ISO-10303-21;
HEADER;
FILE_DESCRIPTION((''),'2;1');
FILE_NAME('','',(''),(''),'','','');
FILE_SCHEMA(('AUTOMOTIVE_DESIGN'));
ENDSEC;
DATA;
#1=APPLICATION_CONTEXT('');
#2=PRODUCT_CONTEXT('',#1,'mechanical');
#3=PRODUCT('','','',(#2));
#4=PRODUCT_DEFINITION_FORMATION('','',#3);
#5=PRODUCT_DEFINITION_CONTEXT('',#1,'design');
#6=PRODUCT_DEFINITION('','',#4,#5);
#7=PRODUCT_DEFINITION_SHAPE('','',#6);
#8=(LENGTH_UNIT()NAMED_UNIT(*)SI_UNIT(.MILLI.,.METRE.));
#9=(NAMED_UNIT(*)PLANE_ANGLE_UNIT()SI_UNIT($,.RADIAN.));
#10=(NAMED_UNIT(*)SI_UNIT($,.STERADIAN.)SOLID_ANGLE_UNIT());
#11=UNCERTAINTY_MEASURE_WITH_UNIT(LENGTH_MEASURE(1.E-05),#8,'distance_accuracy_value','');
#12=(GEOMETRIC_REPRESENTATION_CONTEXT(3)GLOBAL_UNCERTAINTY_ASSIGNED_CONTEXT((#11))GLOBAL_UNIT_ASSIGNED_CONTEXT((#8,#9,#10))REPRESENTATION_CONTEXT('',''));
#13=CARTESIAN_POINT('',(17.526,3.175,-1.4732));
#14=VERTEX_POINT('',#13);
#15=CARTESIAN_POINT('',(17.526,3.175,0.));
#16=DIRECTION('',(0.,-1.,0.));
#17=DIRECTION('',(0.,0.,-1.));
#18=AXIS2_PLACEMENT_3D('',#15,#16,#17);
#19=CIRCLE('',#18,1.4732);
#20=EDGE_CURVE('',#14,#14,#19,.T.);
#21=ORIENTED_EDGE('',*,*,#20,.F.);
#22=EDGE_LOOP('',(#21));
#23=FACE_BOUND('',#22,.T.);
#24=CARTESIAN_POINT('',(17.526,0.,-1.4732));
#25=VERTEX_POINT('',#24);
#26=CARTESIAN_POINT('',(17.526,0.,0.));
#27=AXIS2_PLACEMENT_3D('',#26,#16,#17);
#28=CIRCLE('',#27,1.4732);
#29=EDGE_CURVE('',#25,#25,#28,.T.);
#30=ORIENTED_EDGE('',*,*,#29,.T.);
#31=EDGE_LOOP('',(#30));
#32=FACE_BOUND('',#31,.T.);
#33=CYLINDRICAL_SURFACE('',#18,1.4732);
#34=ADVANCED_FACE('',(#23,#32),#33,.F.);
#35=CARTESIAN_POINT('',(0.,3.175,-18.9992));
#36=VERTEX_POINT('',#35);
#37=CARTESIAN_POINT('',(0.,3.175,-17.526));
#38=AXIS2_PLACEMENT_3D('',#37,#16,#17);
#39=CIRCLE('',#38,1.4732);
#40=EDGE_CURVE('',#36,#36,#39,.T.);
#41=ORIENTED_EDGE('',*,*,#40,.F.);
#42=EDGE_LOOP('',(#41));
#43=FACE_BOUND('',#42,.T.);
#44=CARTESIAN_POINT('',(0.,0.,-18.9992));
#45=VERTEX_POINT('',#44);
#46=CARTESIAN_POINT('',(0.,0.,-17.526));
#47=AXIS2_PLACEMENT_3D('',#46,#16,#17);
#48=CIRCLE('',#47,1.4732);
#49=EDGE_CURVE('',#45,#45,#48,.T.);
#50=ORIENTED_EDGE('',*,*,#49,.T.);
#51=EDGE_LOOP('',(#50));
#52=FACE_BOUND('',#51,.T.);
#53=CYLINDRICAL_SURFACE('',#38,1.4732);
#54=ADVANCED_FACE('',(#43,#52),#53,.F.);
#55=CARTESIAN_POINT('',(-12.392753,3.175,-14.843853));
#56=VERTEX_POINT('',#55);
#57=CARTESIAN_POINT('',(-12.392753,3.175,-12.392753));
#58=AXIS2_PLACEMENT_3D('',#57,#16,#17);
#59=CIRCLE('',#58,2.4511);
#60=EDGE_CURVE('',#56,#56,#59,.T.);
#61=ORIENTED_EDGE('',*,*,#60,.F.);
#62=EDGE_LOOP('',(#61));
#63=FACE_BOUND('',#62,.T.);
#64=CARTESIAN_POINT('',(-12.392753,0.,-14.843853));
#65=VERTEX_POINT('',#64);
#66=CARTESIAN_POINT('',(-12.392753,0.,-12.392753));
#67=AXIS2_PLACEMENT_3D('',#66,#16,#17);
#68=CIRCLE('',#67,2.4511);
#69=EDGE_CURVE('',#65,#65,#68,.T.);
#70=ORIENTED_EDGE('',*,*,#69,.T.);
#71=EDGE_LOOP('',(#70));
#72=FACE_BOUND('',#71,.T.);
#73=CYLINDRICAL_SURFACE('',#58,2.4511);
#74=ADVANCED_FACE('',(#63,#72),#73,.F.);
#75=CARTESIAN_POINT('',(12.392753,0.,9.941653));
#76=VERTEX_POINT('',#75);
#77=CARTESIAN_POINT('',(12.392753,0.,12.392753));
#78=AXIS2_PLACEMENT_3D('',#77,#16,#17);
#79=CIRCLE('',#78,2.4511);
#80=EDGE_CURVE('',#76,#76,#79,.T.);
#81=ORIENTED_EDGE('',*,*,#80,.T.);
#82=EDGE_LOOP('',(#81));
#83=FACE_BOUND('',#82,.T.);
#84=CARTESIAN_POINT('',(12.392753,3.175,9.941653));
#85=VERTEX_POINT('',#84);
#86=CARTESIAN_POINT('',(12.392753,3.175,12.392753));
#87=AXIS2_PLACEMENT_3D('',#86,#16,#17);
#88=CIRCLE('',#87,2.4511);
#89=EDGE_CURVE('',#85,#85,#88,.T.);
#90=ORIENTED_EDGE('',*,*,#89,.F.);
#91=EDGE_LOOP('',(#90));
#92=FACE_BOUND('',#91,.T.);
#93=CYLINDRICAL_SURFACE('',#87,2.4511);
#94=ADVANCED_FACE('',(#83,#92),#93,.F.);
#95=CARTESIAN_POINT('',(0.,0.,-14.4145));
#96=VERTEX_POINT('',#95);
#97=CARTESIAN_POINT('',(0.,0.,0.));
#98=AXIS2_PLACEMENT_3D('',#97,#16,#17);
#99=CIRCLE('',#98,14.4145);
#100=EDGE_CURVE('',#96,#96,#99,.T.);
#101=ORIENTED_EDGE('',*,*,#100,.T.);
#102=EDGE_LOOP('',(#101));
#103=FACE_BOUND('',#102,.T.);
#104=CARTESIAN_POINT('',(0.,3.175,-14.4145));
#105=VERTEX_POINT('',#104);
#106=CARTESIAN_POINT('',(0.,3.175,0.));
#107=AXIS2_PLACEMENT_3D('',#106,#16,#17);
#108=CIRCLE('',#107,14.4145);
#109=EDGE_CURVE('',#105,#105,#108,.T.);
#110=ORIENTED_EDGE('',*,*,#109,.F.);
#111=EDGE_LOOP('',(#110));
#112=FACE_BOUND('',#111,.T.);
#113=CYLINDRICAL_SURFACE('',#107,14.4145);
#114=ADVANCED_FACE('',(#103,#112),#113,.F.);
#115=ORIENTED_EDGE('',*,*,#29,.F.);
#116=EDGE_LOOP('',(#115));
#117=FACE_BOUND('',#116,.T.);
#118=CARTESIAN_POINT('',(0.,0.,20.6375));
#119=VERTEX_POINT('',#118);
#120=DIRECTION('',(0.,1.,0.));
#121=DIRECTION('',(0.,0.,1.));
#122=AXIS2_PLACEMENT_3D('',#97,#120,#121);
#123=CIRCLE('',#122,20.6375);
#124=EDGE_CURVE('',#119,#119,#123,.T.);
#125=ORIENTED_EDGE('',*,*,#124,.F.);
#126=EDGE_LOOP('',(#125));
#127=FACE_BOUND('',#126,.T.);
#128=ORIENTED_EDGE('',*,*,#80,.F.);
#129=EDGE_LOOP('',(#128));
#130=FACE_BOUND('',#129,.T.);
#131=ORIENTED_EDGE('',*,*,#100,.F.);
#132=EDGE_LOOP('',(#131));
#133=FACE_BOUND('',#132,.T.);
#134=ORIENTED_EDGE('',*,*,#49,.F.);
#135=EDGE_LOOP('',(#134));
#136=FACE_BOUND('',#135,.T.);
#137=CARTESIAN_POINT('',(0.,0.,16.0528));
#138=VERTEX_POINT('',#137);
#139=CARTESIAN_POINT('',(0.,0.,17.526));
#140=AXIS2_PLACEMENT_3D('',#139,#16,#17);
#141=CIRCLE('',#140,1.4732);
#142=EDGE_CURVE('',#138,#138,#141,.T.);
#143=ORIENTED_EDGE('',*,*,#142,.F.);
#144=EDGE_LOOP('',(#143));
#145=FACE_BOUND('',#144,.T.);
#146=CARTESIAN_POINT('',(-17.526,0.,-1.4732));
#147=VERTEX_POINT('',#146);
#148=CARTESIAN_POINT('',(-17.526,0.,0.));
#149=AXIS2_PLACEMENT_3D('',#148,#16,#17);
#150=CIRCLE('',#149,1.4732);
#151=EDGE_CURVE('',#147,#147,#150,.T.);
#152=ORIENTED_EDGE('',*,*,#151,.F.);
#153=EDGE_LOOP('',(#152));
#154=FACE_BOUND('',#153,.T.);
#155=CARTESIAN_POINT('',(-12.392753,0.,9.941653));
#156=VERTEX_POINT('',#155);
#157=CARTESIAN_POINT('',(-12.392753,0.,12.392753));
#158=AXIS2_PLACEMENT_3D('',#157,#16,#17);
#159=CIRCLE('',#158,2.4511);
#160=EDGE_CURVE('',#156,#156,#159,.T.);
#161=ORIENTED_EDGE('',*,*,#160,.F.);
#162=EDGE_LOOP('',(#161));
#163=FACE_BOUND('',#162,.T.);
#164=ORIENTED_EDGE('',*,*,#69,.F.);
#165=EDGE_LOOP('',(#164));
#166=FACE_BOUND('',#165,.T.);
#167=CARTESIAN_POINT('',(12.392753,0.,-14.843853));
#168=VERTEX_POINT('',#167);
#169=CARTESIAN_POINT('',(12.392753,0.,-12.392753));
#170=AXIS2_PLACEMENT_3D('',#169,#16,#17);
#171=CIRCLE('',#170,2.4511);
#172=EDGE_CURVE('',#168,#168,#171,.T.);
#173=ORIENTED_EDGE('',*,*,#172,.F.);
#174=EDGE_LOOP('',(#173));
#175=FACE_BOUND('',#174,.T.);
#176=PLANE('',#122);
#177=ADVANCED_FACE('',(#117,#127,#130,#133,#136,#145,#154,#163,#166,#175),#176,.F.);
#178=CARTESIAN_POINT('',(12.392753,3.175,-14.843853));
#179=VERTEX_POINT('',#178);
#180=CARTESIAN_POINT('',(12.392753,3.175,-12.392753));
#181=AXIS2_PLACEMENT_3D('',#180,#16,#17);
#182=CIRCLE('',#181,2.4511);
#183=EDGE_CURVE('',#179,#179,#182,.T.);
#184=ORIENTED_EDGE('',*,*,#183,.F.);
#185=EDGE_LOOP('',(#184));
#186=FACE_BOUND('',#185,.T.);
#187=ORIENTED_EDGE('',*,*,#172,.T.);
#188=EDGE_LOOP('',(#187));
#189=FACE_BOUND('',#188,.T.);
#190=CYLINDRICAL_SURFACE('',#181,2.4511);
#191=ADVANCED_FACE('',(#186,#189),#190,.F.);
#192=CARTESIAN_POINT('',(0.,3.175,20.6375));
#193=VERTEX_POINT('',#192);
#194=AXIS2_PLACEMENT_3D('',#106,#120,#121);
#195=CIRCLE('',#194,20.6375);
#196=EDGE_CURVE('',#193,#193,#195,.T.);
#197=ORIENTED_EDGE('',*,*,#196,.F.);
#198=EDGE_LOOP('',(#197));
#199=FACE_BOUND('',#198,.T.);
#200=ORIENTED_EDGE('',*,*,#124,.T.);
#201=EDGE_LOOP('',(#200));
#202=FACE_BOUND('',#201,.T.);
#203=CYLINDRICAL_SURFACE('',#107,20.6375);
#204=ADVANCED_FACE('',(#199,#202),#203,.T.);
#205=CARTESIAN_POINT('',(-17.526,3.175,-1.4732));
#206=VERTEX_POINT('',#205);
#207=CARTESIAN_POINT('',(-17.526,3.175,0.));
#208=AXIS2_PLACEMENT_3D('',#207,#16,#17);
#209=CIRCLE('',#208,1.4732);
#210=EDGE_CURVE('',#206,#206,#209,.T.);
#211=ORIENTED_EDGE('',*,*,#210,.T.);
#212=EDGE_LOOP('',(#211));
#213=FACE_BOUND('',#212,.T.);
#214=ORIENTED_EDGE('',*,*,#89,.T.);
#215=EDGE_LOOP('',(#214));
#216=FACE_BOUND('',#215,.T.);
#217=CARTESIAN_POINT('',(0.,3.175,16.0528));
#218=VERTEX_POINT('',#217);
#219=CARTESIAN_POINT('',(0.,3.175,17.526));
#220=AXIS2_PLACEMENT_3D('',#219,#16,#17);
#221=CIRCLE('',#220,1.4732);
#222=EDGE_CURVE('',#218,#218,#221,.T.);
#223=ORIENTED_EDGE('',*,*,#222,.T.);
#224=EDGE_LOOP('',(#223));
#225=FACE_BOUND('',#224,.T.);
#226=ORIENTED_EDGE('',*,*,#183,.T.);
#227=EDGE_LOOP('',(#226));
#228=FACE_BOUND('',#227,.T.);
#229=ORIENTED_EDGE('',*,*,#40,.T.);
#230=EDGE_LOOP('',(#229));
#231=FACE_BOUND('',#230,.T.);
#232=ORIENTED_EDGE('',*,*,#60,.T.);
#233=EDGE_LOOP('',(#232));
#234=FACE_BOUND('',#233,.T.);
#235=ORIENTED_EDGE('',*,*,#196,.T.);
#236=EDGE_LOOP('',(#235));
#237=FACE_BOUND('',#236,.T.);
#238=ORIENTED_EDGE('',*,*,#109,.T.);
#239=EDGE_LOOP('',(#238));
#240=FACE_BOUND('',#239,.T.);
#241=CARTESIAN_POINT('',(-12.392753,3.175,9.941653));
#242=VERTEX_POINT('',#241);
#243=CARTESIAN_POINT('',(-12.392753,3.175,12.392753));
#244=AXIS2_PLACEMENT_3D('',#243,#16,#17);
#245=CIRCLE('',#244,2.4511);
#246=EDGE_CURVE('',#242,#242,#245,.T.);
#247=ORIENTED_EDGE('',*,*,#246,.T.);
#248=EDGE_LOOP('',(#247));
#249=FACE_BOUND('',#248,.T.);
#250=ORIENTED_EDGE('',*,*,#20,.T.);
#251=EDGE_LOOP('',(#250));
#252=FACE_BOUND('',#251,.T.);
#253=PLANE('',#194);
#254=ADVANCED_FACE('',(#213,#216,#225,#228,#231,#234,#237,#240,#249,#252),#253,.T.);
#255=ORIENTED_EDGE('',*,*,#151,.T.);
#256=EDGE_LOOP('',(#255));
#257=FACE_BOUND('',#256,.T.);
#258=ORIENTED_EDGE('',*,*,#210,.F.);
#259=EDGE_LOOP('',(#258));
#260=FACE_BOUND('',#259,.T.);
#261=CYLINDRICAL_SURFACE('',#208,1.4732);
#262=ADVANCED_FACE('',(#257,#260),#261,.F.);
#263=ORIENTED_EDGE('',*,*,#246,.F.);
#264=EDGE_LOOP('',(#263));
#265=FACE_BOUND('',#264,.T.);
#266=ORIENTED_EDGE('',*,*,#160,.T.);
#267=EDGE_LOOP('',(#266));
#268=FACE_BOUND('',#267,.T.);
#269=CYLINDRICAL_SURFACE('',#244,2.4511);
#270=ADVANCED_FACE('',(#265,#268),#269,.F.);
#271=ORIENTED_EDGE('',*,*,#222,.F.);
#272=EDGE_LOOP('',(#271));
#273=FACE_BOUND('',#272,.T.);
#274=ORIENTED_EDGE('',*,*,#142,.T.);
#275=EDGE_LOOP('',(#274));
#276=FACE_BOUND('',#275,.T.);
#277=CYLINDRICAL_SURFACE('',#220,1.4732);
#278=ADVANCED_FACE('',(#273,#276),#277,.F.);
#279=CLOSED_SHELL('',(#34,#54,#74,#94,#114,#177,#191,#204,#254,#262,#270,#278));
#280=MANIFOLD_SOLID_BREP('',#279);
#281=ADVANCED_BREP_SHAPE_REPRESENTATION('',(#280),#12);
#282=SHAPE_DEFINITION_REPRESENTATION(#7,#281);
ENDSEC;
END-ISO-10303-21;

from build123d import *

# Parameters (mm, degrees)
PROFILE_SKETCH_R              = 20.6375
PROFILE_EXTRUDE_DEPTH         = 3.175
BORE_SKETCH_R                 = 14.4145
BORE_CUT_DEPTH                = 4.175
BOLT_CLEARANCE_SKETCH_R       = 1.4732
BOLT_CLEARANCE_CUT_DEPTH      = 4.175
BOLT_HEAD_CLEARANCE_SKETCH_R  = 2.4511
BOLT_HEAD_CLEARANCE_CUT_DEPTH = 4.175


with BuildPart() as part:
    # Profile Sketch → Profile Extrude (new body)
    with BuildSketch(Plane(origin=(0, 0, 0), x_dir=(1, 0, 0), z_dir=(0, 1, 0))):
        Circle(PROFILE_SKETCH_R)
    extrude(amount=PROFILE_EXTRUDE_DEPTH)

    # Bore Sketch → Bore Cut (cut, through all)
    with BuildSketch(Plane(origin=(0, 0, 0), x_dir=(-1, 0, 0), z_dir=(0, -1, 0))):
        Circle(BORE_SKETCH_R)
    extrude(amount=-BORE_CUT_DEPTH, mode=Mode.SUBTRACT)

    # Bolt Clearance Sketch → Bolt Clearance Cut (cut, through all)
    with BuildSketch(Plane.XZ):
        with Locations((0, 17.526)):
            Circle(BOLT_CLEARANCE_SKETCH_R)
        with Locations((17.526, 0)):
            Circle(BOLT_CLEARANCE_SKETCH_R)
        with Locations((0, -17.526)):
            Circle(BOLT_CLEARANCE_SKETCH_R)
        with Locations((-17.526, 0)):
            Circle(BOLT_CLEARANCE_SKETCH_R)
    extrude(amount=-BOLT_CLEARANCE_CUT_DEPTH, mode=Mode.SUBTRACT)

    # Bolt Head Clearance Sketch → Bolt Head Clearance Cut (cut, through all)
    with BuildSketch(Plane(origin=(0, 0, 0), x_dir=(-1, 0, 0), z_dir=(0, -1, 0))):
        with Locations((-12.392753447, -12.392753447)):
            Circle(BOLT_HEAD_CLEARANCE_SKETCH_R)
        with Locations((-12.392753447, 12.392753447)):
            Circle(BOLT_HEAD_CLEARANCE_SKETCH_R)
        with Locations((12.392753447, 12.392753447)):
            Circle(BOLT_HEAD_CLEARANCE_SKETCH_R)
        with Locations((12.392753447, -12.392753447)):
            Circle(BOLT_HEAD_CLEARANCE_SKETCH_R)
    extrude(amount=-BOLT_HEAD_CLEARANCE_CUT_DEPTH, mode=Mode.SUBTRACT)


solid = part.part
